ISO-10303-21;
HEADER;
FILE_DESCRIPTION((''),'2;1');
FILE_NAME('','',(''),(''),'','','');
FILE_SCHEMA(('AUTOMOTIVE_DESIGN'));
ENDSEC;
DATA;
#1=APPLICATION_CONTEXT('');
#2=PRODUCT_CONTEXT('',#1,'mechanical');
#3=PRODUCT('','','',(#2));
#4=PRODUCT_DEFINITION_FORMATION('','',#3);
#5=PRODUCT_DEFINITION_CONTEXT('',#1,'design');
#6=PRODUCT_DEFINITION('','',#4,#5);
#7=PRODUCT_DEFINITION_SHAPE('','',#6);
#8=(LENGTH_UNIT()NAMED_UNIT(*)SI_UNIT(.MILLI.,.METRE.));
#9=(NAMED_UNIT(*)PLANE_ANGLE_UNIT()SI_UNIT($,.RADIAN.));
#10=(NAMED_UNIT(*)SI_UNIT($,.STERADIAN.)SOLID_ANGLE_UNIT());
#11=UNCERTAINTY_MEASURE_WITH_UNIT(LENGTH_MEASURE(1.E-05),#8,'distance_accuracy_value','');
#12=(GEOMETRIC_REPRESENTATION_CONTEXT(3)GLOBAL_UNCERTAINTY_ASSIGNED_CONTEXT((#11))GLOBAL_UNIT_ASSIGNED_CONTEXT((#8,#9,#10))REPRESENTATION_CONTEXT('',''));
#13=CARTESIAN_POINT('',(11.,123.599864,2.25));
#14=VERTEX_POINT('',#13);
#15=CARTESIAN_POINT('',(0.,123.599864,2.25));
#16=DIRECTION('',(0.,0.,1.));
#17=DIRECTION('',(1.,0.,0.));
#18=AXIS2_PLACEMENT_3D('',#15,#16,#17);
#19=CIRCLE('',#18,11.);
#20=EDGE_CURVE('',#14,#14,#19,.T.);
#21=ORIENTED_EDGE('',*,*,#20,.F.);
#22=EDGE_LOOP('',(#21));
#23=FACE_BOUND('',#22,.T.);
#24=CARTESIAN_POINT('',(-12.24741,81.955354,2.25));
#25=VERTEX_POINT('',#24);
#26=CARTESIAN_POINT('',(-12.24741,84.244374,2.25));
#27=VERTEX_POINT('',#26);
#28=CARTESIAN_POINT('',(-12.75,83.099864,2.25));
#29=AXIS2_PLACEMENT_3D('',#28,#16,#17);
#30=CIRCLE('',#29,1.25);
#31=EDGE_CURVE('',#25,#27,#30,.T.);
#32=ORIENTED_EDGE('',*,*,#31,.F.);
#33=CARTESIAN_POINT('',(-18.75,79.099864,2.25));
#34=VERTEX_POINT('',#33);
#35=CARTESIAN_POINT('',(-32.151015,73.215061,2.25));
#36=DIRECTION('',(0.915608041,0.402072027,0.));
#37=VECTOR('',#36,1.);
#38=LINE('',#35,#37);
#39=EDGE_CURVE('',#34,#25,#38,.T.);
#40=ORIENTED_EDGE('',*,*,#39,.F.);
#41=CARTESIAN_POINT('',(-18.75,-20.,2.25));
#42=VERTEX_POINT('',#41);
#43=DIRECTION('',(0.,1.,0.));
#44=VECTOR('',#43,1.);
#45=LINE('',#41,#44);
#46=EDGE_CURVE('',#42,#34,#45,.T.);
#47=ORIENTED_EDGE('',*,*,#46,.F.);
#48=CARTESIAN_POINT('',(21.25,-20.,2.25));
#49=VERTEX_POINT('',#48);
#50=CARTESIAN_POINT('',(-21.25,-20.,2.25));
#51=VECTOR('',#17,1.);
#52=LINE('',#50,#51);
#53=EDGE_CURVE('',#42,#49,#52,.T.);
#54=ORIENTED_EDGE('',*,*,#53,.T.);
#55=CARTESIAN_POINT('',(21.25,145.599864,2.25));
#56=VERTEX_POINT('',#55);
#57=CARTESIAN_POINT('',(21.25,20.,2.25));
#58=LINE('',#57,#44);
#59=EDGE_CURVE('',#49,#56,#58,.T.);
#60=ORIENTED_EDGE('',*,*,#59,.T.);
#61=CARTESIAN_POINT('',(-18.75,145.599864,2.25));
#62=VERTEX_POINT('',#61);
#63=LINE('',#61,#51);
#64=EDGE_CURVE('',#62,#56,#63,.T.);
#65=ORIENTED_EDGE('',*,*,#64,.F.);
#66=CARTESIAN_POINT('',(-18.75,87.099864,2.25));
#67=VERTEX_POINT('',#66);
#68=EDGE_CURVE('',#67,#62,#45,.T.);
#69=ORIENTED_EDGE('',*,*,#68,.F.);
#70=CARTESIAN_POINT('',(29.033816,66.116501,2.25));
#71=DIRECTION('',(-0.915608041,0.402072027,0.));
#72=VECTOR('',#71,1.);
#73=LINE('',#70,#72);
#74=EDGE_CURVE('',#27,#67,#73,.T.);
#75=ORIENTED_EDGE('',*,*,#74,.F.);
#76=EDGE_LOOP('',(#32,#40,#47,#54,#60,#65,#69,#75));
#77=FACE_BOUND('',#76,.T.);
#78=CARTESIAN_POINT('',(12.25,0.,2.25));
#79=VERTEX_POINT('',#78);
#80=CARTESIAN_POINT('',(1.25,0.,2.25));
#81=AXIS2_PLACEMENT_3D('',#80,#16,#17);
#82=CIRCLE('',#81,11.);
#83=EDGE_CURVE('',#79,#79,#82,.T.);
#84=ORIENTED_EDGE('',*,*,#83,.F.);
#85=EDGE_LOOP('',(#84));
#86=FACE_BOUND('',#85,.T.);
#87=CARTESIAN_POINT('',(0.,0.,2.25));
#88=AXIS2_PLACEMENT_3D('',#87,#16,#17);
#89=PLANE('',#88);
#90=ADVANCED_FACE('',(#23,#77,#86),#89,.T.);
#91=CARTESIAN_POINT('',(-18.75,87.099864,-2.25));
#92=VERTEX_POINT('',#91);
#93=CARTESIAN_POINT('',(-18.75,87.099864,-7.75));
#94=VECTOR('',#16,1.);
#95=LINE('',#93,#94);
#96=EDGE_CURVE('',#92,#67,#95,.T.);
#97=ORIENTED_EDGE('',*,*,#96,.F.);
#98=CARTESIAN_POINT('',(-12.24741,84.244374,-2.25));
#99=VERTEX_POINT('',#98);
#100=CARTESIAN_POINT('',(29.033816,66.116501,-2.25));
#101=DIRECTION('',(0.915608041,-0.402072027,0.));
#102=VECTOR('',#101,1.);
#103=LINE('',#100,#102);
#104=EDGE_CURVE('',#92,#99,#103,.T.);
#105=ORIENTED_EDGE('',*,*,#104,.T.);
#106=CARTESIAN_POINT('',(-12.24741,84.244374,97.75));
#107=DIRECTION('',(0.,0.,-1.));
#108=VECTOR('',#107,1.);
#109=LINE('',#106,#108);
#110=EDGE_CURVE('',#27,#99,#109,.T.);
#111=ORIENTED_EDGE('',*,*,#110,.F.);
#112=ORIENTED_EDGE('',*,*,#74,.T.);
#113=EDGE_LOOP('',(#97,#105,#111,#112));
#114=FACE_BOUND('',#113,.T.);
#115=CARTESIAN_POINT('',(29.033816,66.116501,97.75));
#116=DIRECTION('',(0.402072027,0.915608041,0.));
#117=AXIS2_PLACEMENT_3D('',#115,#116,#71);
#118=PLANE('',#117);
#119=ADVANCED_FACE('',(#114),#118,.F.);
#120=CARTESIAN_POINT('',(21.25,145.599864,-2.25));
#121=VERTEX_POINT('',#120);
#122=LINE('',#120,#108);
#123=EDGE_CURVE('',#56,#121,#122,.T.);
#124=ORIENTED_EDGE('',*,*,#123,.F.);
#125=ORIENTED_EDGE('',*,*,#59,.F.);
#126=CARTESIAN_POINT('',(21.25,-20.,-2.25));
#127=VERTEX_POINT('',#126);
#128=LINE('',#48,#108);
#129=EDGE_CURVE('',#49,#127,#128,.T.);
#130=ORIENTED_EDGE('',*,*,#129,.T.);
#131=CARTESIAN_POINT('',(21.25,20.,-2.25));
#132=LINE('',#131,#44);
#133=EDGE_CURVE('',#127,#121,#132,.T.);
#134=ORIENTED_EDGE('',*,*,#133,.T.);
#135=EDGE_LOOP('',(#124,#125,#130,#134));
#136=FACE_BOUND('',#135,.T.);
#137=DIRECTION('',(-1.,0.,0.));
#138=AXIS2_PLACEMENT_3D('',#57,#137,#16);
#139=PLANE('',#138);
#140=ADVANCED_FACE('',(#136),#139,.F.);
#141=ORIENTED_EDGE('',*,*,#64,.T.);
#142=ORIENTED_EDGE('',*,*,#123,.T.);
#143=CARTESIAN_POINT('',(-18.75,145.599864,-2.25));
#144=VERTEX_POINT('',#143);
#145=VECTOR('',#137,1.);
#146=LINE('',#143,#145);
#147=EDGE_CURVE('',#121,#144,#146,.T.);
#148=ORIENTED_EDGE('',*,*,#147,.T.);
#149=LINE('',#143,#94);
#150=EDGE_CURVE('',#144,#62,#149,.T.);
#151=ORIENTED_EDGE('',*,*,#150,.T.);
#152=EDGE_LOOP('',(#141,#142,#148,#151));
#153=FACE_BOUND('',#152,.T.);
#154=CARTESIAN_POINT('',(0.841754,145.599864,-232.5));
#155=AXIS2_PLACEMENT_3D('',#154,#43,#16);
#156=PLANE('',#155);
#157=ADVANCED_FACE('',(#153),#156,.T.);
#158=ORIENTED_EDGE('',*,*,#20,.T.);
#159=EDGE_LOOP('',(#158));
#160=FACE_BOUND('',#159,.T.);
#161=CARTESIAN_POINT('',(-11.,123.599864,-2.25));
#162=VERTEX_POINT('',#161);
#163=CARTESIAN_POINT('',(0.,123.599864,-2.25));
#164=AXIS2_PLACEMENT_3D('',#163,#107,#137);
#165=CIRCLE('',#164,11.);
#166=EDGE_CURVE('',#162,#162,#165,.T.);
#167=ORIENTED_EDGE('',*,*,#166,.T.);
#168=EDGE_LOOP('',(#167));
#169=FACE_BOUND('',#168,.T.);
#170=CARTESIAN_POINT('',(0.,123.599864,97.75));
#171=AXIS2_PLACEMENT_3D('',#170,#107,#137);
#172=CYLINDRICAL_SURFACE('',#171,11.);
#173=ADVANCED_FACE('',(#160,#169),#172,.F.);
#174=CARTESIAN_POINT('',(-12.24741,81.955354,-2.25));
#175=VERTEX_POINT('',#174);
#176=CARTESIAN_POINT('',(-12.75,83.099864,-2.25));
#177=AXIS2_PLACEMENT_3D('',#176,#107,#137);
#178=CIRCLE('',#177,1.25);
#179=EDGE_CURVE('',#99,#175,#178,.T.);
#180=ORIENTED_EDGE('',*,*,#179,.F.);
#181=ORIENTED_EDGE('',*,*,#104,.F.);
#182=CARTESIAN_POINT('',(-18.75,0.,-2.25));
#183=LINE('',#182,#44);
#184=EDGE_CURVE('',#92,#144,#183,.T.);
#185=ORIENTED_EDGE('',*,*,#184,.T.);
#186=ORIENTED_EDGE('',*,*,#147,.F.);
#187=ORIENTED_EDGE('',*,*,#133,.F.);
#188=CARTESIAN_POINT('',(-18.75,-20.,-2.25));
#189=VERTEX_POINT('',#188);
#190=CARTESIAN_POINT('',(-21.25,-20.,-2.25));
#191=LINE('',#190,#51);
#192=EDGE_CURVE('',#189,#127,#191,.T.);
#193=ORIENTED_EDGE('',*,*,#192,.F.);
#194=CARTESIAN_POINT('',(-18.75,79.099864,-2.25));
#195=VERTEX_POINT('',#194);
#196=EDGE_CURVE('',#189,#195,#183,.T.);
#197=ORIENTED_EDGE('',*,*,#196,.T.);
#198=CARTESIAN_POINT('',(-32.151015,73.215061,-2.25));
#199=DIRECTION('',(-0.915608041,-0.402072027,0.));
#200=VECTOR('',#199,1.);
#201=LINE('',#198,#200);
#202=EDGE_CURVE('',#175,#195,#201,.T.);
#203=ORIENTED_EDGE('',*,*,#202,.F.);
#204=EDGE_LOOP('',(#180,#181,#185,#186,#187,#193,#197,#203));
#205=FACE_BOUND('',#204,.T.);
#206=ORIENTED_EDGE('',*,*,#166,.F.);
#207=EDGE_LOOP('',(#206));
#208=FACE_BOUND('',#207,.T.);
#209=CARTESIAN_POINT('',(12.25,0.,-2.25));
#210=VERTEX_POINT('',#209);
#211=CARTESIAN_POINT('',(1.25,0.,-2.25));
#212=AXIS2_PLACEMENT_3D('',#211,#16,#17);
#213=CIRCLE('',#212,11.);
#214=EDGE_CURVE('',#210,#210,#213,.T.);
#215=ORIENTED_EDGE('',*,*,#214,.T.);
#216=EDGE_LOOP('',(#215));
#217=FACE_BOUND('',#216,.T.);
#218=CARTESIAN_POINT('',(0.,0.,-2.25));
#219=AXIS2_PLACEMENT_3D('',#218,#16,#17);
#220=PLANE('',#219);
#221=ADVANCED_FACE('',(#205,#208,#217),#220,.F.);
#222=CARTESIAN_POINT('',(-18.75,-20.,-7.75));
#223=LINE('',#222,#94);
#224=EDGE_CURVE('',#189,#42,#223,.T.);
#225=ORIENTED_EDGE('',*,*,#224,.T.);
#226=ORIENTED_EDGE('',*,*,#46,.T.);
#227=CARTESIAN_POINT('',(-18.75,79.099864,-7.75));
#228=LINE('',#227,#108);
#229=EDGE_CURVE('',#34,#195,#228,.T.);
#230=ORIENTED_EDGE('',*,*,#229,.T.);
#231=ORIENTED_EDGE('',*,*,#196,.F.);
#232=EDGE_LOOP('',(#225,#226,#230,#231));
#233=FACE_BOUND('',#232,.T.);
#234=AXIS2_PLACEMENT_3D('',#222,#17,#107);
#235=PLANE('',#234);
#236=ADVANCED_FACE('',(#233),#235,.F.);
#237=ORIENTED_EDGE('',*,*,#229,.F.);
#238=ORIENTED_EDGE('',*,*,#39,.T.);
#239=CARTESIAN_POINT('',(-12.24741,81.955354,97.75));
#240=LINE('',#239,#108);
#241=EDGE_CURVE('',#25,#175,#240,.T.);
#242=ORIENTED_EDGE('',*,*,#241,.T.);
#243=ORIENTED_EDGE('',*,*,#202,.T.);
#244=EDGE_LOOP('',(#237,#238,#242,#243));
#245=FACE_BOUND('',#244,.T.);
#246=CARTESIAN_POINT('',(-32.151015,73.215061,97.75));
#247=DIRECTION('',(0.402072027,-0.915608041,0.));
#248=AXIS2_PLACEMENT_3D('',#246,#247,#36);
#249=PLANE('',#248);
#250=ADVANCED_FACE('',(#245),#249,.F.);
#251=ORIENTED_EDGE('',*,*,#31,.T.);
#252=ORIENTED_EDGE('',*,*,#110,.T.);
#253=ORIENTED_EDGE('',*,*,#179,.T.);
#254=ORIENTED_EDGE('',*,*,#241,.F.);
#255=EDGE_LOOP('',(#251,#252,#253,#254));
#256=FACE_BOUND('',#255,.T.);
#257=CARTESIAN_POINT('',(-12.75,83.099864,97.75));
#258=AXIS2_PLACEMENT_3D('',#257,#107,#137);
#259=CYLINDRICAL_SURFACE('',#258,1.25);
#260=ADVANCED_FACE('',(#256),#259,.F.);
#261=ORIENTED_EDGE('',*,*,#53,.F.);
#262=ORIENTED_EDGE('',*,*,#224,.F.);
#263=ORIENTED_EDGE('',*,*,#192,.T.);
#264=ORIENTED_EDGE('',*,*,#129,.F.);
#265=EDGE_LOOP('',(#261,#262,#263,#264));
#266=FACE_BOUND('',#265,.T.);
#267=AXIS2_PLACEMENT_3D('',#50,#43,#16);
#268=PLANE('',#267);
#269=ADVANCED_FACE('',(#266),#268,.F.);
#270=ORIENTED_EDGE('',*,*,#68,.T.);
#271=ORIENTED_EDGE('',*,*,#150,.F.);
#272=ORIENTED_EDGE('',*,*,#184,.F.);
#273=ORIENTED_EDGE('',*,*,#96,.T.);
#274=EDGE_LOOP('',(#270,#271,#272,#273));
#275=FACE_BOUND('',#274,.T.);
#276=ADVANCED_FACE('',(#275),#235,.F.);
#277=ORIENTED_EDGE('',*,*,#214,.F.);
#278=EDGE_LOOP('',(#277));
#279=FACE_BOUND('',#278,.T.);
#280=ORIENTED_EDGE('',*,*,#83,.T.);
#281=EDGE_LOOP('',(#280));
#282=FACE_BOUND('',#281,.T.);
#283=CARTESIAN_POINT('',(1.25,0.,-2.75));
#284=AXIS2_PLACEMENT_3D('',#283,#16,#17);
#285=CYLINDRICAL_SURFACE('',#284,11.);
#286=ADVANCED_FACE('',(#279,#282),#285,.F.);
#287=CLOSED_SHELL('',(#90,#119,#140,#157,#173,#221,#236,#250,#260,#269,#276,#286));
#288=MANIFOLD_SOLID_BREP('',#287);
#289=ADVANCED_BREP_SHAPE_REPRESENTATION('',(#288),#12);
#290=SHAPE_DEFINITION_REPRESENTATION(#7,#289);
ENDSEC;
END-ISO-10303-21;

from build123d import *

# Parameters (mm, degrees)
SKETCH1_W           = 42.5
SKETCH1_H           = 40
BOSS_EXTRUDE1_DEPTH = 2.25
SKETCH3_R           = 11
CUT_EXTRUDE2_DEPTH  = 5
SKETCH4_W           = 42.5
SKETCH4_H           = 4.5
BOSS_EXTRUDE2_DEPTH = 15
SKETCH8_W           = 2.5
SKETCH8_H           = 55
CUT_EXTRUDE4_DEPTH  = 10
SKETCH9_W           = 40
SKETCH9_H           = 4.5
BOSS_EXTRUDE3_DEPTH = 110.599864081
SKETCH11_R          = 11
CUT_EXTRUDE5_DEPTH  = 100
CUT_EXTRUDE6_DEPTH  = 100


with BuildPart() as part:
    # Sketch1 → Boss-Extrude1 (new, symmetric)
    with BuildSketch(Plane.XY):
        Rectangle(SKETCH1_W, SKETCH1_H)
    extrude(amount=BOSS_EXTRUDE1_DEPTH, both=True)

    # Sketch3 → Cut-Extrude2 (cut, symmetric)
    with BuildSketch(Plane.XY.offset(2.25)):
        with Locations((1.25, 0)):
            Circle(SKETCH3_R)
    extrude(amount=CUT_EXTRUDE2_DEPTH, both=True, mode=Mode.SUBTRACT)

    # Sketch4 → Boss-Extrude2 (add)
    with BuildSketch(Plane(origin=(0, 20, 0), x_dir=(1, 0, 0), z_dir=(0, 1, 0))):
        Rectangle(SKETCH4_W, SKETCH4_H)
    extrude(amount=BOSS_EXTRUDE2_DEPTH)

    # Sketch8 → Cut-Extrude4 (cut)
    with BuildSketch(Plane.XY.offset(2.25)):
        with Locations((-20, 7.5)):
            Rectangle(SKETCH8_W, SKETCH8_H)
    extrude(amount=-CUT_EXTRUDE4_DEPTH, mode=Mode.SUBTRACT)

    # Sketch9 → Boss-Extrude3 (add)
    with BuildSketch(Plane(origin=(0, 35, 0), x_dir=(1, 0, 0), z_dir=(0, 1, 0))):
        with Locations((1.25, 0)):
            Rectangle(SKETCH9_W, SKETCH9_H)
    extrude(amount=BOSS_EXTRUDE3_DEPTH)

    # Sketch11 → Cut-Extrude5 (cut)
    with BuildSketch(Plane(origin=(0, 0, -2.25), x_dir=(-1, 0, 0), z_dir=(0, 0, -1))):
        with Locations((0, 123.599864081)):
            Circle(SKETCH11_R)
    extrude(amount=-CUT_EXTRUDE5_DEPTH, mode=Mode.SUBTRACT)

    # Sketch12 → Cut-Extrude6 (cut)
    with BuildSketch(Plane(origin=(0, 0, -2.25), x_dir=(-1, 0, 0), z_dir=(0, 0, -1))):
        with BuildLine():
            Line((18.75, 79.099864081), (18.75, 87.099864081))
            Line((18.75, 87.099864081), (12.247409908, 84.244374107))
            ThreePointArc((12.247409908, 84.244374107), (11.5, 83.099864066), (12.247409936, 81.955354043))
            Line((12.247409936, 81.955354043), (18.75, 79.099864081))
        make_face()
    extrude(amount=-CUT_EXTRUDE6_DEPTH, mode=Mode.SUBTRACT)


solid = part.part
